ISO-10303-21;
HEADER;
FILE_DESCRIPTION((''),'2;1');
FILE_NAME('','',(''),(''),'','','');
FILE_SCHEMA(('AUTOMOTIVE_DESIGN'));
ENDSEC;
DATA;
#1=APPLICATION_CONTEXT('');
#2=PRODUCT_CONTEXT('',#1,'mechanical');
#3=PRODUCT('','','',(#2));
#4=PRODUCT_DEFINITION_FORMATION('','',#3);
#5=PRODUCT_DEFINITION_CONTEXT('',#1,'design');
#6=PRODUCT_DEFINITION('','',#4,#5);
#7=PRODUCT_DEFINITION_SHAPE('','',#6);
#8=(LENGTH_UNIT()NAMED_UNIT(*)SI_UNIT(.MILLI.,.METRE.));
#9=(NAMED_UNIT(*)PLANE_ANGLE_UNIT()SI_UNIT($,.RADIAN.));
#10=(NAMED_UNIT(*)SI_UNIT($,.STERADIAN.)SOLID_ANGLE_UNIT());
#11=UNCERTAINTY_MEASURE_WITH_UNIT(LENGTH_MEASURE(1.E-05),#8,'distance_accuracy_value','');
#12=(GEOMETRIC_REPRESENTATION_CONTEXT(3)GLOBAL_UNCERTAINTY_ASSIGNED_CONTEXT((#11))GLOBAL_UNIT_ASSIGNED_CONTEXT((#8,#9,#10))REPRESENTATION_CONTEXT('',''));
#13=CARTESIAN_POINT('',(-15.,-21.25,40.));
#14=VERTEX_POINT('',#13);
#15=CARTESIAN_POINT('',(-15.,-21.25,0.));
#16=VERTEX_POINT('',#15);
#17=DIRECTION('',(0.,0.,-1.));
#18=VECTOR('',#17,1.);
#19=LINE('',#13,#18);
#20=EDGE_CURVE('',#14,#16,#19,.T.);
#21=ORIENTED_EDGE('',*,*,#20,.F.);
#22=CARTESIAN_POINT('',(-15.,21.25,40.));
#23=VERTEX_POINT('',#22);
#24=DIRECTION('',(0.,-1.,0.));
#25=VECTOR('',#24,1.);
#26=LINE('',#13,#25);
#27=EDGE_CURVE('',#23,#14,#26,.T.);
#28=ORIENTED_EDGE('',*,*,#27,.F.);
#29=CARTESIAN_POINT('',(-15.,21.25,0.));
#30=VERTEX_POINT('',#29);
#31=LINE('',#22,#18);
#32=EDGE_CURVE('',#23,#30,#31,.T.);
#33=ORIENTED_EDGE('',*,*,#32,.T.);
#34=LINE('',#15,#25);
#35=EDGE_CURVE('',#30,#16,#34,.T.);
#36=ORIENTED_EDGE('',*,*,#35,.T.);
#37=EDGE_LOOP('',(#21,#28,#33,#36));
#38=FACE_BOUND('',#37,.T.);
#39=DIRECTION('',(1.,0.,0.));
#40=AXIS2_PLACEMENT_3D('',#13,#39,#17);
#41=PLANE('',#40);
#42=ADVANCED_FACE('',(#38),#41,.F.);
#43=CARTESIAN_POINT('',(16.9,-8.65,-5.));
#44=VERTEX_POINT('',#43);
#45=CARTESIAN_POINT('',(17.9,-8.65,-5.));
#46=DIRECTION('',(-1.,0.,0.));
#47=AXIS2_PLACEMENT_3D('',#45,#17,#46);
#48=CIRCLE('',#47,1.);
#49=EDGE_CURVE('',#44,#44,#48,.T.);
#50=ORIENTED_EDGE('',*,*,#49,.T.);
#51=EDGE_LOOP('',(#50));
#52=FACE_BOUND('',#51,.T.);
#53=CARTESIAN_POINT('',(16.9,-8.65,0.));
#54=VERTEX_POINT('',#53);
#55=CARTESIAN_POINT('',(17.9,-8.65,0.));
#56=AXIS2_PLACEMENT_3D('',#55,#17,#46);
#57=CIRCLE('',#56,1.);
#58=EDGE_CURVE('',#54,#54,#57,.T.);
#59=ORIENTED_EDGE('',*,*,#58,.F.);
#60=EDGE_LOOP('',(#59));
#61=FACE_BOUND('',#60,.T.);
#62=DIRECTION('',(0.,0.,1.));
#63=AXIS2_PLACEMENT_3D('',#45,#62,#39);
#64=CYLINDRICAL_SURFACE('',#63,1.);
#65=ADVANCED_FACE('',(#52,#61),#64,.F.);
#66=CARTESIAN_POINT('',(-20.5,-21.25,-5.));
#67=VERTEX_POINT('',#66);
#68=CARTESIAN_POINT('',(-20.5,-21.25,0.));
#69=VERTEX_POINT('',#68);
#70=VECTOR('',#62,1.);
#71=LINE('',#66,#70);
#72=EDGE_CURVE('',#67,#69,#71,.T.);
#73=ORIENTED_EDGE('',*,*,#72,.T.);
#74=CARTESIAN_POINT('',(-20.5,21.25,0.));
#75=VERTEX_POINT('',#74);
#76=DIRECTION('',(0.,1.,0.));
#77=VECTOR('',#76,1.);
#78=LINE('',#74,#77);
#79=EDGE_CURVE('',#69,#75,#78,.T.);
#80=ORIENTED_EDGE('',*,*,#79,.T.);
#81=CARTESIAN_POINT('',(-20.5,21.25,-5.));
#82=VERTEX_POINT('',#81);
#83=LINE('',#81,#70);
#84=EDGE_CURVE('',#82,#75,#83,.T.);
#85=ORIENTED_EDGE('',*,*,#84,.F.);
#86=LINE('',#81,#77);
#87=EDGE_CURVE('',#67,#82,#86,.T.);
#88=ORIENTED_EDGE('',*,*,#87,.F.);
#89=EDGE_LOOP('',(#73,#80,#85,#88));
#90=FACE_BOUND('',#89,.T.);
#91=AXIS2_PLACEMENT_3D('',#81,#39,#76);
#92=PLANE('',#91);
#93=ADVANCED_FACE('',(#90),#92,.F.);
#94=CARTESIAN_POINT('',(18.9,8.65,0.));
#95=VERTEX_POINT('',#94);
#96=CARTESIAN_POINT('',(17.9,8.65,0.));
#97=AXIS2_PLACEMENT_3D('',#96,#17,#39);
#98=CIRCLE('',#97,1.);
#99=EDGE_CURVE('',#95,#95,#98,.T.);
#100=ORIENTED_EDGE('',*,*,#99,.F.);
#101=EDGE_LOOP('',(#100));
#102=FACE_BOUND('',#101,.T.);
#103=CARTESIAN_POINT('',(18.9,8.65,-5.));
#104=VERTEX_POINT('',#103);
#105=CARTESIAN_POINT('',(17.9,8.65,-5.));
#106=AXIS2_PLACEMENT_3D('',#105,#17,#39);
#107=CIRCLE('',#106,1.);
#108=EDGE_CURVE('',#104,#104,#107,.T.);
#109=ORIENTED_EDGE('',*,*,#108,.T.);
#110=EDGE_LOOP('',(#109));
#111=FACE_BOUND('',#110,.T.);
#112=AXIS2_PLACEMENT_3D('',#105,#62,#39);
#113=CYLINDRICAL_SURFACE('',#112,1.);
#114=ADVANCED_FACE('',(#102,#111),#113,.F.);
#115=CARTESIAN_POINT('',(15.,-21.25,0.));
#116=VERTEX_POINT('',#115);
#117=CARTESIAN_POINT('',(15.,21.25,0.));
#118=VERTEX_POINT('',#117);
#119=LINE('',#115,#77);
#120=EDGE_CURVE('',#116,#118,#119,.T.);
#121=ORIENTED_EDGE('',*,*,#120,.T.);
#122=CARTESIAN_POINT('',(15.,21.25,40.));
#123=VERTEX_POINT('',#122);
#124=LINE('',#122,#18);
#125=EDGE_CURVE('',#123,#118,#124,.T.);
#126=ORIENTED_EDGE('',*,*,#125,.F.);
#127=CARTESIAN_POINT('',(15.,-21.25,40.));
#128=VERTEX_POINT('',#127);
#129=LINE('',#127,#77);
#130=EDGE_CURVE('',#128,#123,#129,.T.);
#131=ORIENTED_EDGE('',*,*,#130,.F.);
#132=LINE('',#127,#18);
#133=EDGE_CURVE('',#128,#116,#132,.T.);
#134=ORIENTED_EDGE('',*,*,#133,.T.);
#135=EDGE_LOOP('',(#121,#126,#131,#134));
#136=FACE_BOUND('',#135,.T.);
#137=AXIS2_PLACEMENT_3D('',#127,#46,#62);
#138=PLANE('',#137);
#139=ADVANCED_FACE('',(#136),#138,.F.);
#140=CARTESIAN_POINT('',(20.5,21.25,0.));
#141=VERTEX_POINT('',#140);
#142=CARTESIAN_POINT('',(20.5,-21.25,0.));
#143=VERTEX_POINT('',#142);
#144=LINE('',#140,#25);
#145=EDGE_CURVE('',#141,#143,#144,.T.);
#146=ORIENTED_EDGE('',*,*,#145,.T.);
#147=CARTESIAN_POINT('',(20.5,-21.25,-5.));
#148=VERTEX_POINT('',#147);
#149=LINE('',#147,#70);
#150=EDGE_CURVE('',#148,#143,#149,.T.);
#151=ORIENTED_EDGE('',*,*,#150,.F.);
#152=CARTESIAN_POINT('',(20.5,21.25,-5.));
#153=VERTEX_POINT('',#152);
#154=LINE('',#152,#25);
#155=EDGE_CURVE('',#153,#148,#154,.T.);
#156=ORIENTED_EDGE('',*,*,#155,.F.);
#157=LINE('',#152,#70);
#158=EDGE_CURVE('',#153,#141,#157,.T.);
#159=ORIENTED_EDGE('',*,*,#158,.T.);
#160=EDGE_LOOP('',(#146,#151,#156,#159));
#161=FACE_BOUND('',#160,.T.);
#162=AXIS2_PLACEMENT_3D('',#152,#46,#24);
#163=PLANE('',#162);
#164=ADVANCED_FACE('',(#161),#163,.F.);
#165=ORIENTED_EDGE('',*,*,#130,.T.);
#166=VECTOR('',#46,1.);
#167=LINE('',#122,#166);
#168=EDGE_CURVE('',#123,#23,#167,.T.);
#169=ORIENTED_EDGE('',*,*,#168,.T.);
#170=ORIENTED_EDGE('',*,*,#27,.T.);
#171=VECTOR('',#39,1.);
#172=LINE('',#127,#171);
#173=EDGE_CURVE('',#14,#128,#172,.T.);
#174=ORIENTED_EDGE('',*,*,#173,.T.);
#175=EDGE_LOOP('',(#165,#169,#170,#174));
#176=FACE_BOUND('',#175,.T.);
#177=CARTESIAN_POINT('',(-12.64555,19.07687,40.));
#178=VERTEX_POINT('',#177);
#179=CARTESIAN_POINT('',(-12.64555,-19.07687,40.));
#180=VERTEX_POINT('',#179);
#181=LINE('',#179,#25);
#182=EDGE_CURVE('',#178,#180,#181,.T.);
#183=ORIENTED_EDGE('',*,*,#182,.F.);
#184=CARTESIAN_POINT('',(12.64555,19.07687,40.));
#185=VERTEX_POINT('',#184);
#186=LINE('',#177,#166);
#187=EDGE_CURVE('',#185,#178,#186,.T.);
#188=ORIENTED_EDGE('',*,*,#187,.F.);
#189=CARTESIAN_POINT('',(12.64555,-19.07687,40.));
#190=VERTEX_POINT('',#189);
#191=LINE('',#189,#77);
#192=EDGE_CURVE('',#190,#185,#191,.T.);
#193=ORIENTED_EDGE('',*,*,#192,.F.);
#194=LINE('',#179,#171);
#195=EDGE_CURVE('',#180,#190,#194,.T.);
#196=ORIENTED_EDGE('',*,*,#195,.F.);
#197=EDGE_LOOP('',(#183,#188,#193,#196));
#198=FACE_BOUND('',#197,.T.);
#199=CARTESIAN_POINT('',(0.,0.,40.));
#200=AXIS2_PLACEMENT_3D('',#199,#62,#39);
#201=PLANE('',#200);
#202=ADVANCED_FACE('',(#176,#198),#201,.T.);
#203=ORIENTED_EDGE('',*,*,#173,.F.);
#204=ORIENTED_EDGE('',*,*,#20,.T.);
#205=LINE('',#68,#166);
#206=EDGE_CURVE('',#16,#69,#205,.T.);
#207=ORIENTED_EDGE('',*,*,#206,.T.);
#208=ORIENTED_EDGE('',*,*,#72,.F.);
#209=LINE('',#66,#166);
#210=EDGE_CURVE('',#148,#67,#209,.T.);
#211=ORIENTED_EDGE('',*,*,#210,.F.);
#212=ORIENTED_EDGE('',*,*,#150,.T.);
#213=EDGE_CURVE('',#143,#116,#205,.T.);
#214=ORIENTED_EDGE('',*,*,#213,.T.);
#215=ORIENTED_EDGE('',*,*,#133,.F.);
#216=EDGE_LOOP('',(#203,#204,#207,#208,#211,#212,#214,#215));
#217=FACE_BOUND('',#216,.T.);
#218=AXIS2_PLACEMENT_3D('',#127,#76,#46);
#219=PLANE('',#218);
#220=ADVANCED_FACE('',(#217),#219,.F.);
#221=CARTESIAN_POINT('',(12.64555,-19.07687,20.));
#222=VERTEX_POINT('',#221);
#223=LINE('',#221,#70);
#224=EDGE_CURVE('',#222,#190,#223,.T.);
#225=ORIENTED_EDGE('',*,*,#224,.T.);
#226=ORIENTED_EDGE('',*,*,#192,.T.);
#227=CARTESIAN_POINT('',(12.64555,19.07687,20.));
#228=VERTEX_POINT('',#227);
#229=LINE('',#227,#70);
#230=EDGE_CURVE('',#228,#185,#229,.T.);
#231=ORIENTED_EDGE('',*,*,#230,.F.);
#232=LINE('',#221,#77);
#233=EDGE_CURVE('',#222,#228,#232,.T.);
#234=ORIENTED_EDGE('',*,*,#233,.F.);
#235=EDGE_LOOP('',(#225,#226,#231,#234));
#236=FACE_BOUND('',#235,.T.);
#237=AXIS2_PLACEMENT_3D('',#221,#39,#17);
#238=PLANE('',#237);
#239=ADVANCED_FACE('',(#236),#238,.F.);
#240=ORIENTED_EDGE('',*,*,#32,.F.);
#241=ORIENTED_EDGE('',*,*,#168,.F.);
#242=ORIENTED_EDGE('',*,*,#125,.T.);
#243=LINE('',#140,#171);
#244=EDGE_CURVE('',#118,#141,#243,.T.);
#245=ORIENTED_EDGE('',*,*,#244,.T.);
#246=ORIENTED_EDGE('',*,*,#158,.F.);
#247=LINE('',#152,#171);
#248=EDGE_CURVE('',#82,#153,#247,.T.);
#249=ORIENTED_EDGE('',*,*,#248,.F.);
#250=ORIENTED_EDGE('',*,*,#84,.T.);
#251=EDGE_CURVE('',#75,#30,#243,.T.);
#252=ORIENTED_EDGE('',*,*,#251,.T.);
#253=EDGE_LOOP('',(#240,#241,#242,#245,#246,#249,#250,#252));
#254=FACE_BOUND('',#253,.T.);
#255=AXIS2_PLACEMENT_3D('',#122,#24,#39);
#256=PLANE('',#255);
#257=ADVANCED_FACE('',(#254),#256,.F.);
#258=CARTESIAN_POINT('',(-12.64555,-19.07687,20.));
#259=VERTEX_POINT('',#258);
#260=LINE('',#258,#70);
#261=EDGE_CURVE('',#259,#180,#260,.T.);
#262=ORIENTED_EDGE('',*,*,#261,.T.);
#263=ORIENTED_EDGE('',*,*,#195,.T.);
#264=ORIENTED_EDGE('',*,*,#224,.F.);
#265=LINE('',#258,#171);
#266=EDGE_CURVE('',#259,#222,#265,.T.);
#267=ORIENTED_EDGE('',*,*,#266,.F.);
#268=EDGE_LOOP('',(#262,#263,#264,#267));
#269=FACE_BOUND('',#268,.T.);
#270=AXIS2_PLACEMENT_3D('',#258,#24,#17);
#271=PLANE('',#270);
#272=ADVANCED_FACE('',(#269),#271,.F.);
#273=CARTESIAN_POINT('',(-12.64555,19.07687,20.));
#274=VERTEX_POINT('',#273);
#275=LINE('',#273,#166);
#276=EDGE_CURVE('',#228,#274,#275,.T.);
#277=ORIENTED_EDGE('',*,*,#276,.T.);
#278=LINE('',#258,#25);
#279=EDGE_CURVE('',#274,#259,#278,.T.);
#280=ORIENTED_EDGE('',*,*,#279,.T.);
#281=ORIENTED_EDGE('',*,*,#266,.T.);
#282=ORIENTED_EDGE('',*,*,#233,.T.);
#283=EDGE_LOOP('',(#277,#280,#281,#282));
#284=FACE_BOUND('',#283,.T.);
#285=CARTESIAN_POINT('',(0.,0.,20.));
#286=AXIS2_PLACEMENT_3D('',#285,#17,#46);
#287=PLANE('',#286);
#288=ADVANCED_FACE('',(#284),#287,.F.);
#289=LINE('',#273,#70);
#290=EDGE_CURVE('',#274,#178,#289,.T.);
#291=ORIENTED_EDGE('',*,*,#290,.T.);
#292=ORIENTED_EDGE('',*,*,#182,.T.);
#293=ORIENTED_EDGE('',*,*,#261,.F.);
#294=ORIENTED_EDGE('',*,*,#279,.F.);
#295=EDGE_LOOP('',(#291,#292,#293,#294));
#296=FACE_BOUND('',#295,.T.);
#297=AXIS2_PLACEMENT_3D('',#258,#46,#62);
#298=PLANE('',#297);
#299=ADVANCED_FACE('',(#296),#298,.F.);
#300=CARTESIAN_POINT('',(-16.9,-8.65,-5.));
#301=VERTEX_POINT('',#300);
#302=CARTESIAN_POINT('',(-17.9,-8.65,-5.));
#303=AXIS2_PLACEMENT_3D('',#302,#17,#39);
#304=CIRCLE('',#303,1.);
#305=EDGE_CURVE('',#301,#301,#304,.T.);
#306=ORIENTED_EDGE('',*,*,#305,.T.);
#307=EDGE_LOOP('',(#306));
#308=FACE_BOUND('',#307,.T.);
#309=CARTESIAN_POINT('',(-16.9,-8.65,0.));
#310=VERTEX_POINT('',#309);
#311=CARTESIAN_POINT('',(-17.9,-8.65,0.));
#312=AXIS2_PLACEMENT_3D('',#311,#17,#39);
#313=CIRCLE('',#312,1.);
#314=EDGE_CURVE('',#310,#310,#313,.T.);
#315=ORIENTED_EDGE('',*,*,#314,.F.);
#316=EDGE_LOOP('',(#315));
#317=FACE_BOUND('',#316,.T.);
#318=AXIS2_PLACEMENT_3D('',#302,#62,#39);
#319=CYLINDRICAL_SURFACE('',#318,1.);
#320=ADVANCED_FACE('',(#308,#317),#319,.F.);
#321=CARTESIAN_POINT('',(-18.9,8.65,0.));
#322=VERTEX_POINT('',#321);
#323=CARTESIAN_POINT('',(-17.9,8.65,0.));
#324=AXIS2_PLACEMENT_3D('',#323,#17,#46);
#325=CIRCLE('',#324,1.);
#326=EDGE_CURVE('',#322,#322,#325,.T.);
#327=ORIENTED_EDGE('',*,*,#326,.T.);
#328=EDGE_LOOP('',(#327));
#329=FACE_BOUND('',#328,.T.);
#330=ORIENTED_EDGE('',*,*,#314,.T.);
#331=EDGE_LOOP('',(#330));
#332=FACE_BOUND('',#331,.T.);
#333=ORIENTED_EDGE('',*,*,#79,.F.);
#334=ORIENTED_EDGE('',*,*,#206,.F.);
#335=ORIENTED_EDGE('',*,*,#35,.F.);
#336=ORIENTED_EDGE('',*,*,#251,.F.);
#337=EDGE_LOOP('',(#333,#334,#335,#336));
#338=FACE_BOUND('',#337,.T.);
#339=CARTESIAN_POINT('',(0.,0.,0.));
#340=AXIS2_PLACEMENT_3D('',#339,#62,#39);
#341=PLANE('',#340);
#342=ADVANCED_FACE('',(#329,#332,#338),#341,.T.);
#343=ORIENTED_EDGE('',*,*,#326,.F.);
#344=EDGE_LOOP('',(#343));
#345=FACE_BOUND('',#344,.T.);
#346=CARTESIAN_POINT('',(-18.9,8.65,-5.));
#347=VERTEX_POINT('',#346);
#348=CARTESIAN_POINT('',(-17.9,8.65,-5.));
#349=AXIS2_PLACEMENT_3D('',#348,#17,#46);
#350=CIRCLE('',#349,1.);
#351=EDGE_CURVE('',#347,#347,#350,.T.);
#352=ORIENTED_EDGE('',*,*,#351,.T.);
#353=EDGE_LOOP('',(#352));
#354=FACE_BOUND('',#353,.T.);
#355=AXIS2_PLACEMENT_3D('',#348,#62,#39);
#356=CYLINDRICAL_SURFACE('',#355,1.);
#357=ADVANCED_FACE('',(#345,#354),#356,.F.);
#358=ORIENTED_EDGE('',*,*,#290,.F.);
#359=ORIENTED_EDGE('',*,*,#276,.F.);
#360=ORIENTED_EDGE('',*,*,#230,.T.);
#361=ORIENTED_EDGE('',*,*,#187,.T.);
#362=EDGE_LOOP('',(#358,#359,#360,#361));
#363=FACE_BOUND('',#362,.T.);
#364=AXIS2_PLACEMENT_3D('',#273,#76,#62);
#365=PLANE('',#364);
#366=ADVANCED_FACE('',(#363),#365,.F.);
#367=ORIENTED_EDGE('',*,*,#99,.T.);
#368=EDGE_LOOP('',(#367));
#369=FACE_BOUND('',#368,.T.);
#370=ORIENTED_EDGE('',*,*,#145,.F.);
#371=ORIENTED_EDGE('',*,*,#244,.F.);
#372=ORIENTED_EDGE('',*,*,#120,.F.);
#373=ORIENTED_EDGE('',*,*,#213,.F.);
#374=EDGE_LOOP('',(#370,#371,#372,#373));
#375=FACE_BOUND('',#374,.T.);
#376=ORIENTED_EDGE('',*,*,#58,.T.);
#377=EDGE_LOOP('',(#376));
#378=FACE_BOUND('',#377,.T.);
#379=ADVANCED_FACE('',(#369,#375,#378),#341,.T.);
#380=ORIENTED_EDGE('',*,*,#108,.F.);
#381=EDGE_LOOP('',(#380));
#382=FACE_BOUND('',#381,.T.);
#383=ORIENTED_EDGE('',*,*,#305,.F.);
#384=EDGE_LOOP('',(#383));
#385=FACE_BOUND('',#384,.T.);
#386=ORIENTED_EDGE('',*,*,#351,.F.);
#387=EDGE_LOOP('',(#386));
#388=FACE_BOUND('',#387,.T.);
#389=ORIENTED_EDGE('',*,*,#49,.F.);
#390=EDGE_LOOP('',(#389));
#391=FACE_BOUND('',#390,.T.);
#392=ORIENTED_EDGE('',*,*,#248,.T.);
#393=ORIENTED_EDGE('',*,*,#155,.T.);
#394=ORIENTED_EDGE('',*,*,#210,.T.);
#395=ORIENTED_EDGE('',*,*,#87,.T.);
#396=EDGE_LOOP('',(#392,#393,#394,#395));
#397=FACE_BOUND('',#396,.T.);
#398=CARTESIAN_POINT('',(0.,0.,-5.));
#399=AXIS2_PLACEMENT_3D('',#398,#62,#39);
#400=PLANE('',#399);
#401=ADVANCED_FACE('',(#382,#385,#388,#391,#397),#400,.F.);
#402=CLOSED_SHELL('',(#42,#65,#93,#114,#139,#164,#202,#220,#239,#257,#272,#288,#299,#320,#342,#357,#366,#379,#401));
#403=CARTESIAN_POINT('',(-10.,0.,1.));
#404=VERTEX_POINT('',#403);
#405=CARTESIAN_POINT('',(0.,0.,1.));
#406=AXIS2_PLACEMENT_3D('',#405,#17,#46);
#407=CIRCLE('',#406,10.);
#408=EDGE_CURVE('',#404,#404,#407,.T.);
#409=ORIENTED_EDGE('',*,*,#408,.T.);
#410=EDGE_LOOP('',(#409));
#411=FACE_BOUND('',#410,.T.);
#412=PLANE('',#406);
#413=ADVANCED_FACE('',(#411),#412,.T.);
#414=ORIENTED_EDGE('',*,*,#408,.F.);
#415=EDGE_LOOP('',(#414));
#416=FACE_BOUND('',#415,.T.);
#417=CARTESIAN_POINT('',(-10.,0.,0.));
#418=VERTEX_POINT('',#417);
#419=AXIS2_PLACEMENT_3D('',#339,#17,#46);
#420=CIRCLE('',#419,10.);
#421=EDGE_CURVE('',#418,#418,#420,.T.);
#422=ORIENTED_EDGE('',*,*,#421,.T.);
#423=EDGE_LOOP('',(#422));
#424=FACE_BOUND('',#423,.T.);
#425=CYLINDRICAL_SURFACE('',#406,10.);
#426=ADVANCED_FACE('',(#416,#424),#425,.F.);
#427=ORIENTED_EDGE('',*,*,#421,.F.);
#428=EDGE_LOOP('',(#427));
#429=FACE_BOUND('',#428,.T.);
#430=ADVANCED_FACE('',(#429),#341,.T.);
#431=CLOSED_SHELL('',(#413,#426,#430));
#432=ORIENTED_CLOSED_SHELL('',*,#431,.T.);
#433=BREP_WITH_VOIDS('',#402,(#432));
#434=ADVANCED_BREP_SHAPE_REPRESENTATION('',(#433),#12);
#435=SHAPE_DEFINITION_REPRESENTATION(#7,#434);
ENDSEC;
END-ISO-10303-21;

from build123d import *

# Parameters (mm, degrees)
SKETCH_1_W          = 30
SKETCH_1_H          = 42.5
EXTRUDE_1_DEPTH     = 40
SKETCH_2_W          = 25.29109927
SKETCH_2_H          = 38.153739886
CUT_EXTRUDE_1_DEPTH = 20
SKETCH_3_R          = 10
CUT_EXTRUDE_2_DEPTH = 1
SKETCH_4_W          = 41
SKETCH_4_H          = 42.5
SKETCH_4_R          = 1
EXTRUDE_2_DEPTH     = 5


with BuildPart() as part:
    # 草图1 → 凸台-拉伸1 (new body)
    with BuildSketch(Plane.XY):
        Rectangle(SKETCH_1_W, SKETCH_1_H)
    extrude(amount=EXTRUDE_1_DEPTH)

    # 草图2 → 切除-拉伸1 (cut)
    with BuildSketch(Plane.XY.offset(40)):
        Rectangle(SKETCH_2_W, SKETCH_2_H)
    extrude(amount=-CUT_EXTRUDE_1_DEPTH, mode=Mode.SUBTRACT)

    # 草图3 → 切除-拉伸2 (cut)
    with BuildSketch(Plane(origin=(0, 0, 0), x_dir=(-1, 0, 0), z_dir=(0, 0, -1))):
        Circle(SKETCH_3_R)
    extrude(amount=-CUT_EXTRUDE_2_DEPTH, mode=Mode.SUBTRACT)

    # 草图4 → 凸台-拉伸2 (add)
    with BuildSketch(Plane(origin=(0, 0, 0), x_dir=(-1, 0, 0), z_dir=(0, 0, -1))):
        Rectangle(SKETCH_4_W, SKETCH_4_H)
        with Locations((17.9, 8.65)):
            Circle(SKETCH_4_R, mode=Mode.SUBTRACT)
        with Locations(Location((-17.9, 8.65, 0), (0, 0, 180))):
            Circle(SKETCH_4_R, mode=Mode.SUBTRACT)
        with Locations((-17.9, -8.65)):
            Circle(SKETCH_4_R, mode=Mode.SUBTRACT)
        with Locations(Location((17.9, -8.65, 0), (0, 0, 180))):
            Circle(SKETCH_4_R, mode=Mode.SUBTRACT)
    extrude(amount=EXTRUDE_2_DEPTH)


solid = part.part
